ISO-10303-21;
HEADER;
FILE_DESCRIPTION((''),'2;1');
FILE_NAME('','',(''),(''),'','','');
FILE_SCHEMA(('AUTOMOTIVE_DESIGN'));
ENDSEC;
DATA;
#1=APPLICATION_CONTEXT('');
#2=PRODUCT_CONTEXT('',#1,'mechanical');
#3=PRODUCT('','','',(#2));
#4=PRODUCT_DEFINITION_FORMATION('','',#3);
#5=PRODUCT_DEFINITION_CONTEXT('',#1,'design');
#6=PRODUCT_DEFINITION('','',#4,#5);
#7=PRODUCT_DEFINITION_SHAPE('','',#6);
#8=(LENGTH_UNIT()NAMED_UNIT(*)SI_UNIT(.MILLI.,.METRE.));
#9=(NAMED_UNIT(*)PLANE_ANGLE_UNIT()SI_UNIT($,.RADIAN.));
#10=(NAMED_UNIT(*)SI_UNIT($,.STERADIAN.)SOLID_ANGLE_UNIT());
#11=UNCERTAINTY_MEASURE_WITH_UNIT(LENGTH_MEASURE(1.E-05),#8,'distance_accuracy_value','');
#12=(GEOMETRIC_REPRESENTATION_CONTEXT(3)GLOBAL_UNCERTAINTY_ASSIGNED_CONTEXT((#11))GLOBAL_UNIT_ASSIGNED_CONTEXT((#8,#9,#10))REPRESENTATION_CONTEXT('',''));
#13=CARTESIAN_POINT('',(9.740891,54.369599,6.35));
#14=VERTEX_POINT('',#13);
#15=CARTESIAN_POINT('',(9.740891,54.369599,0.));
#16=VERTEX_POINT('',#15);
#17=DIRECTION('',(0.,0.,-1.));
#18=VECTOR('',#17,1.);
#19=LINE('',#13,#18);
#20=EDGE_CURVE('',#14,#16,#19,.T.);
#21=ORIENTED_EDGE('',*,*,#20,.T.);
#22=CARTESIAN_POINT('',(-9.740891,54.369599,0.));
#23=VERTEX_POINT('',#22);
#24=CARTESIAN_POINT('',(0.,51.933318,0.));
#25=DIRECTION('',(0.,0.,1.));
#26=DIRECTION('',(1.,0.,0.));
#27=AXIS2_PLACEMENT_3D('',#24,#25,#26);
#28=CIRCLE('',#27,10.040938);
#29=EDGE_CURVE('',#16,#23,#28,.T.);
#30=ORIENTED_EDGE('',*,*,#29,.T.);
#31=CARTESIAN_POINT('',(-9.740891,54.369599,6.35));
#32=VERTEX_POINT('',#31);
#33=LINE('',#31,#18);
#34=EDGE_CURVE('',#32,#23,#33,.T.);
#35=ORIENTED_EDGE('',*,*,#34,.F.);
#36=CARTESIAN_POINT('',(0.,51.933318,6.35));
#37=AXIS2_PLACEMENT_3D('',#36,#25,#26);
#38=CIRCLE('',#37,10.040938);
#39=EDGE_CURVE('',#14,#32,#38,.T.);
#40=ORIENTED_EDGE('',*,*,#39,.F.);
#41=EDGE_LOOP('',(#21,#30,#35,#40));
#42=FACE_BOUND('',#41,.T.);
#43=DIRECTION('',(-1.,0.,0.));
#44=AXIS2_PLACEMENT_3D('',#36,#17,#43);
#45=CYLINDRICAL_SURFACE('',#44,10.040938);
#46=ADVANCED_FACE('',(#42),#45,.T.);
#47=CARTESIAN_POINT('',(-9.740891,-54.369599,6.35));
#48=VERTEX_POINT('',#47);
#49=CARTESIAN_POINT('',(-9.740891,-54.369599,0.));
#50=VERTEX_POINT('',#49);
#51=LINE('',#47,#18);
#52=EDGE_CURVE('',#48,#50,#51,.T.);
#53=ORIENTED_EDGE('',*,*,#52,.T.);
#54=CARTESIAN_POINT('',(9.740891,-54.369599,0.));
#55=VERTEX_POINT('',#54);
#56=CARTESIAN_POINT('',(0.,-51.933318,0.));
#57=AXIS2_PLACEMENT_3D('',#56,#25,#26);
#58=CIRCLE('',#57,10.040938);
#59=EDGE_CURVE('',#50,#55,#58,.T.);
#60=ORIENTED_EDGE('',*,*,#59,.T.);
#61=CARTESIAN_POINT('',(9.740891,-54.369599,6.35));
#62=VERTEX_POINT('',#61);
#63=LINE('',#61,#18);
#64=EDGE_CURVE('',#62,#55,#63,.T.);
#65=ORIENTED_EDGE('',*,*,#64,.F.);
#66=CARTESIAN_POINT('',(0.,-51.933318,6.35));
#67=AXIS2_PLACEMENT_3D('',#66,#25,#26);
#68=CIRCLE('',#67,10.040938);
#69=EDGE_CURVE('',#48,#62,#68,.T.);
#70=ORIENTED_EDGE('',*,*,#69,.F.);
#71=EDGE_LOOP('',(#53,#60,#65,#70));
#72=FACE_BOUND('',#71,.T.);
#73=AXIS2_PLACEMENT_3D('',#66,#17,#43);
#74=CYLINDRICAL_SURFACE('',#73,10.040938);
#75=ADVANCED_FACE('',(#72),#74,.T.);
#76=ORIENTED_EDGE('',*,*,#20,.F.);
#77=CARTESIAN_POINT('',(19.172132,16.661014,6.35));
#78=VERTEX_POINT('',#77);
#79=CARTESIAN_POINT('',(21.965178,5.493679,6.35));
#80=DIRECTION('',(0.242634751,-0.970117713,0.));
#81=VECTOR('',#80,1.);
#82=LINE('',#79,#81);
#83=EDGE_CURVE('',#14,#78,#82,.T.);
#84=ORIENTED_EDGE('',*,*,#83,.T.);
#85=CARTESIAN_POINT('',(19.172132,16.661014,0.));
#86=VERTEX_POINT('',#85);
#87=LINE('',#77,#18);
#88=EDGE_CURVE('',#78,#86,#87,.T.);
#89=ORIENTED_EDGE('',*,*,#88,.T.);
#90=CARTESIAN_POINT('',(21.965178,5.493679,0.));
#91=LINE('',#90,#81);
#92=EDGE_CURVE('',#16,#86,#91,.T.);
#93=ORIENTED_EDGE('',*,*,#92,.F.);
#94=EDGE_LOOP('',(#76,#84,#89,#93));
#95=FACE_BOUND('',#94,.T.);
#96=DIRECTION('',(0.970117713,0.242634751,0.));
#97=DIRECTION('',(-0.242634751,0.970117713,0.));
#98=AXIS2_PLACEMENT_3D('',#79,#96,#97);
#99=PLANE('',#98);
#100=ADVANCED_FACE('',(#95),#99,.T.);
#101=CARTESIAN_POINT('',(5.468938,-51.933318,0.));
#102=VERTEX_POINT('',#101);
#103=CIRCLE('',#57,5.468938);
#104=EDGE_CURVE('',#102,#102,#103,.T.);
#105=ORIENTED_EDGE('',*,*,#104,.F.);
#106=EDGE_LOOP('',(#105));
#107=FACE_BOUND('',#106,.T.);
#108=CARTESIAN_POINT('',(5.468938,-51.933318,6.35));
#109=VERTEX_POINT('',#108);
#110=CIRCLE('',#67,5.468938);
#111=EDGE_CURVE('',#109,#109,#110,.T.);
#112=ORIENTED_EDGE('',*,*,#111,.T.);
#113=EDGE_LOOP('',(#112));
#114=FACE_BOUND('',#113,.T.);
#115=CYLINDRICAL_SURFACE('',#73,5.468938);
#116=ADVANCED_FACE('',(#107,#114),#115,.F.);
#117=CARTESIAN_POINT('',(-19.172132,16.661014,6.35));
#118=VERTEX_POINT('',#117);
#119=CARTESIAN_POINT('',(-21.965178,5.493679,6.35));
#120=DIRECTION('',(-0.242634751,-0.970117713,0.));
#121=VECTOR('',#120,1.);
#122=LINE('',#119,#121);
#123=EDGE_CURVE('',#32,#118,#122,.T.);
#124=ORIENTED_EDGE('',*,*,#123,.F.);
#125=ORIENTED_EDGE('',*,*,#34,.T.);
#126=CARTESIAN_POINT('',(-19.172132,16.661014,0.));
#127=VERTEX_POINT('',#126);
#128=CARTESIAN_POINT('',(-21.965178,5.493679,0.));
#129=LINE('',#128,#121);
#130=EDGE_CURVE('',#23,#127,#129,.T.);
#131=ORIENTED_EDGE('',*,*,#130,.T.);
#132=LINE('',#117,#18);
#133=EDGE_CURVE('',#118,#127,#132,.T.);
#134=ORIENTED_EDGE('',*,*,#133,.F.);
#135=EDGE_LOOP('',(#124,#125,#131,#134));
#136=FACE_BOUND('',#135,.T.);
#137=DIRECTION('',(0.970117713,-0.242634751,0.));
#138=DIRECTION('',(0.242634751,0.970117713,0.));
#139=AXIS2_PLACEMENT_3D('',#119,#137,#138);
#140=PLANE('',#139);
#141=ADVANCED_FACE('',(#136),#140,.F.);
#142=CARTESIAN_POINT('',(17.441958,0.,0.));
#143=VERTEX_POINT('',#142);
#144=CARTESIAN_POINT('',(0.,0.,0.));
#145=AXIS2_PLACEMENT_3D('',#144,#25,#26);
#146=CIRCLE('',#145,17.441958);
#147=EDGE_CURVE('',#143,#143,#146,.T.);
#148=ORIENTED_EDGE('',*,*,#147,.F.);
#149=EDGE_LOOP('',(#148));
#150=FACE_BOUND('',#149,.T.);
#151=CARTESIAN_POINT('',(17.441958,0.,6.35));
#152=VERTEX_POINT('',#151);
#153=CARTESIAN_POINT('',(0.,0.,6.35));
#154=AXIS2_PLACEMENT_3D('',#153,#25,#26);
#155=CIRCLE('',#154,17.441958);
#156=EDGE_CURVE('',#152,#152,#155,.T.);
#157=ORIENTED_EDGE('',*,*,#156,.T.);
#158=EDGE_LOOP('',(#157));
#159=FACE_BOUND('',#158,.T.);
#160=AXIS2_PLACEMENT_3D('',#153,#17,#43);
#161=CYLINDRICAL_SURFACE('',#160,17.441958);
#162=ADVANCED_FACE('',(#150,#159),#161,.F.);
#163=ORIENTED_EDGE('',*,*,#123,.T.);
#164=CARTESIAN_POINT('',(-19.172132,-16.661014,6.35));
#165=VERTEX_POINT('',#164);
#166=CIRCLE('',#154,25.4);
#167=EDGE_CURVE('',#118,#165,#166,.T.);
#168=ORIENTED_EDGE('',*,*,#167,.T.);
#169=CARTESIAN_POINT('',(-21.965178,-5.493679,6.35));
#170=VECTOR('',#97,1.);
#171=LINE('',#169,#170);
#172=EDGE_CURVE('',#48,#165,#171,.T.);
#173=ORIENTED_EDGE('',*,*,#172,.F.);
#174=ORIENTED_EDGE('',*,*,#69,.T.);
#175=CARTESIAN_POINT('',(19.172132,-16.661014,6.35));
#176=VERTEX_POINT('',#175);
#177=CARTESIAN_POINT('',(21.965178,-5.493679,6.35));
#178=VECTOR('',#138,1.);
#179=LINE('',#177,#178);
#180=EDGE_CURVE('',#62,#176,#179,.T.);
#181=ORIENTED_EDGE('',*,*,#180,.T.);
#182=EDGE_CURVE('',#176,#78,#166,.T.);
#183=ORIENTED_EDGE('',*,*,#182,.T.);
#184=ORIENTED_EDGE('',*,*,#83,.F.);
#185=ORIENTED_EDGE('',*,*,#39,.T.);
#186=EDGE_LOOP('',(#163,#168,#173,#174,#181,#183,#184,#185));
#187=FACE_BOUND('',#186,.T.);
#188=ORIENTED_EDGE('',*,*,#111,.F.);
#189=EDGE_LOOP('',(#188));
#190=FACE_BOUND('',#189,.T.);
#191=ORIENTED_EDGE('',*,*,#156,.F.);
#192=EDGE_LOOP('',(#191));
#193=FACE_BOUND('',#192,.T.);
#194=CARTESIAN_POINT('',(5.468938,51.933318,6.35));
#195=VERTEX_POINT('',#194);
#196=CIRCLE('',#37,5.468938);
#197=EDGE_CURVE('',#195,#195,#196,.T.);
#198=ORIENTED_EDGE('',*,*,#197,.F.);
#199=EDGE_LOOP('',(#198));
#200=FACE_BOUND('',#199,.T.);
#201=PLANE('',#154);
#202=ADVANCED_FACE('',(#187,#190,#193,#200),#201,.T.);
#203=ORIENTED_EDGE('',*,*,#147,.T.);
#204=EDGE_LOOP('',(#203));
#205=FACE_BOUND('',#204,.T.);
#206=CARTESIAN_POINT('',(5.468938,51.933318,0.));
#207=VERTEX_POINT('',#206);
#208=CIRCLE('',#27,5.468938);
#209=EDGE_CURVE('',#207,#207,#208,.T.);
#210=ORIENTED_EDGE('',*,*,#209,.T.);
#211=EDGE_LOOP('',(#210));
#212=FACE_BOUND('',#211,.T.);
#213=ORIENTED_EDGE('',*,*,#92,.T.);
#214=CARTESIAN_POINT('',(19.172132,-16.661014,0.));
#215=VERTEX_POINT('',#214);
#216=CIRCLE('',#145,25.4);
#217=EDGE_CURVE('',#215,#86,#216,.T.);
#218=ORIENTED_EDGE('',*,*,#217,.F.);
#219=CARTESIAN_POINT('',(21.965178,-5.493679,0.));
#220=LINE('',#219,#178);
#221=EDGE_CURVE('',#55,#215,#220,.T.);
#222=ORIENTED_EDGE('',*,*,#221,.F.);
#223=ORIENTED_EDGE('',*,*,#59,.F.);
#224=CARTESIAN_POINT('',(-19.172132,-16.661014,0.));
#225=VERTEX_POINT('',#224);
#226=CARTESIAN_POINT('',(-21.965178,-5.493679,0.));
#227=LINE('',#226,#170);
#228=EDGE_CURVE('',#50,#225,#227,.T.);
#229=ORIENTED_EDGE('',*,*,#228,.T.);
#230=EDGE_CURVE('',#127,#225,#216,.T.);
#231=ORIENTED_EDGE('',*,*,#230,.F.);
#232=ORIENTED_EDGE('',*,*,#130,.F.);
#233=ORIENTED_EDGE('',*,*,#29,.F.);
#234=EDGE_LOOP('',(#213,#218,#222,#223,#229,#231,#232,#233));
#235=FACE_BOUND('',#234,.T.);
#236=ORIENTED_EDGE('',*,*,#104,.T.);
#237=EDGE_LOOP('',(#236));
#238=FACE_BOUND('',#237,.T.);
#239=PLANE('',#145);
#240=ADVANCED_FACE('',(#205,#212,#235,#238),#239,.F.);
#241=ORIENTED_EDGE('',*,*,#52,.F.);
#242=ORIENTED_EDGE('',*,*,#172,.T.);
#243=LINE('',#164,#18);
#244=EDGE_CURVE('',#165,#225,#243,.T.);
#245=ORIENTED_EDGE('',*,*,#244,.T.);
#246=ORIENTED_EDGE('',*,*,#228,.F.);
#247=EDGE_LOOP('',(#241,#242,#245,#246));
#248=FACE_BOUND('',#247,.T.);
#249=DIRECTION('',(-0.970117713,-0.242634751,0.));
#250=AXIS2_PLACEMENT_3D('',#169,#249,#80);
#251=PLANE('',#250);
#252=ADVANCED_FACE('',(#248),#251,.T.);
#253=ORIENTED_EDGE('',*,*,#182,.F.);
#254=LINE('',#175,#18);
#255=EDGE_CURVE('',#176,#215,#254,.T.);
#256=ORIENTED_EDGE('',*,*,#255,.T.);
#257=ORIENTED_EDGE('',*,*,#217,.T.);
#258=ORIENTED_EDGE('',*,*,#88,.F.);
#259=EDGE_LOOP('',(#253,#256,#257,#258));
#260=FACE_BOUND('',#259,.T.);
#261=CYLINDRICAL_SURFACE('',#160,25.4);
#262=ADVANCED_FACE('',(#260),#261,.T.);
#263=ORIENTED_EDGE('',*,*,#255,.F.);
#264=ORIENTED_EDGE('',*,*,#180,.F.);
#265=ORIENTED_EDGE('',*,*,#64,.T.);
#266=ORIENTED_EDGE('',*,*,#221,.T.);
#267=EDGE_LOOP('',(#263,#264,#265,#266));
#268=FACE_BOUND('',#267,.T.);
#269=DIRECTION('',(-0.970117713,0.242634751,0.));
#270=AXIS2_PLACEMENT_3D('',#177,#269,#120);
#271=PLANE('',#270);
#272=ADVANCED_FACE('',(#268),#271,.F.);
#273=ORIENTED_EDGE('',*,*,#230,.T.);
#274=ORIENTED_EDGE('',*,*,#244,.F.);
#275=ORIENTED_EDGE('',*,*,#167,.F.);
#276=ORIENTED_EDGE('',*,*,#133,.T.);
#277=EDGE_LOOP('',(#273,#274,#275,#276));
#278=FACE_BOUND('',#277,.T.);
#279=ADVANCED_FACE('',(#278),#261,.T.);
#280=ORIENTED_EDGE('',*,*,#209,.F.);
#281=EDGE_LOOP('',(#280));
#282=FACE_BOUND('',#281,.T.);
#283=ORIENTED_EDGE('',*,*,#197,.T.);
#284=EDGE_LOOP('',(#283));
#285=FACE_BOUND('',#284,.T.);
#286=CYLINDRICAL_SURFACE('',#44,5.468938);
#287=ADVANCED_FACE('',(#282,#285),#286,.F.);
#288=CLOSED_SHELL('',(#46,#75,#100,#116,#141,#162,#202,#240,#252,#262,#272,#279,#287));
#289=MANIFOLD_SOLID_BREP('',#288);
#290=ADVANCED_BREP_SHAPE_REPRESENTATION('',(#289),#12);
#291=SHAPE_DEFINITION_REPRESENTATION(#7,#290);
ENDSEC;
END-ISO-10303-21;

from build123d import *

# Parameters (mm, degrees)
SKETCH1_R           = 5.4689375
SKETCH1_R_2         = 17.441957863
BOSS_EXTRUDE1_DEPTH = 6.35


with BuildPart() as part:
    # Sketch1 → Boss-Extrude1 (new body)
    with BuildSketch(Plane.XY):
        with BuildLine():
            Line((19.172131573, 16.661013503), (9.740891327, 54.369598862))
            ThreePointArc((9.740891327, 54.369598862), (0, 61.974255991), (-9.740891326, 54.369598862))
            Line((-9.740891327, 54.369598862), (-19.172131573, 16.661013503))
            ThreePointArc((-19.172131573, 16.661013503), (-25.4, 0), (-19.172131573, -16.661013503))
            Line((-19.172131573, -16.661013503), (-9.740891327, -54.369598862))
            ThreePointArc((-9.740891326, -54.369598862), (0, -61.974255991), (9.740891327, -54.369598862))
            Line((9.740891327, -54.369598862), (19.172131573, -16.661013503))
            ThreePointArc((19.172131573, -16.661013503), (25.4, 0), (19.172131573, 16.661013503))
        make_face()
        with Locations((0, 51.933318491)):
            Circle(SKETCH1_R, mode=Mode.SUBTRACT)
        Circle(SKETCH1_R_2, mode=Mode.SUBTRACT)
        with Locations((0, -51.933318491)):
            Circle(SKETCH1_R, mode=Mode.SUBTRACT)
    extrude(amount=BOSS_EXTRUDE1_DEPTH)


solid = part.part
